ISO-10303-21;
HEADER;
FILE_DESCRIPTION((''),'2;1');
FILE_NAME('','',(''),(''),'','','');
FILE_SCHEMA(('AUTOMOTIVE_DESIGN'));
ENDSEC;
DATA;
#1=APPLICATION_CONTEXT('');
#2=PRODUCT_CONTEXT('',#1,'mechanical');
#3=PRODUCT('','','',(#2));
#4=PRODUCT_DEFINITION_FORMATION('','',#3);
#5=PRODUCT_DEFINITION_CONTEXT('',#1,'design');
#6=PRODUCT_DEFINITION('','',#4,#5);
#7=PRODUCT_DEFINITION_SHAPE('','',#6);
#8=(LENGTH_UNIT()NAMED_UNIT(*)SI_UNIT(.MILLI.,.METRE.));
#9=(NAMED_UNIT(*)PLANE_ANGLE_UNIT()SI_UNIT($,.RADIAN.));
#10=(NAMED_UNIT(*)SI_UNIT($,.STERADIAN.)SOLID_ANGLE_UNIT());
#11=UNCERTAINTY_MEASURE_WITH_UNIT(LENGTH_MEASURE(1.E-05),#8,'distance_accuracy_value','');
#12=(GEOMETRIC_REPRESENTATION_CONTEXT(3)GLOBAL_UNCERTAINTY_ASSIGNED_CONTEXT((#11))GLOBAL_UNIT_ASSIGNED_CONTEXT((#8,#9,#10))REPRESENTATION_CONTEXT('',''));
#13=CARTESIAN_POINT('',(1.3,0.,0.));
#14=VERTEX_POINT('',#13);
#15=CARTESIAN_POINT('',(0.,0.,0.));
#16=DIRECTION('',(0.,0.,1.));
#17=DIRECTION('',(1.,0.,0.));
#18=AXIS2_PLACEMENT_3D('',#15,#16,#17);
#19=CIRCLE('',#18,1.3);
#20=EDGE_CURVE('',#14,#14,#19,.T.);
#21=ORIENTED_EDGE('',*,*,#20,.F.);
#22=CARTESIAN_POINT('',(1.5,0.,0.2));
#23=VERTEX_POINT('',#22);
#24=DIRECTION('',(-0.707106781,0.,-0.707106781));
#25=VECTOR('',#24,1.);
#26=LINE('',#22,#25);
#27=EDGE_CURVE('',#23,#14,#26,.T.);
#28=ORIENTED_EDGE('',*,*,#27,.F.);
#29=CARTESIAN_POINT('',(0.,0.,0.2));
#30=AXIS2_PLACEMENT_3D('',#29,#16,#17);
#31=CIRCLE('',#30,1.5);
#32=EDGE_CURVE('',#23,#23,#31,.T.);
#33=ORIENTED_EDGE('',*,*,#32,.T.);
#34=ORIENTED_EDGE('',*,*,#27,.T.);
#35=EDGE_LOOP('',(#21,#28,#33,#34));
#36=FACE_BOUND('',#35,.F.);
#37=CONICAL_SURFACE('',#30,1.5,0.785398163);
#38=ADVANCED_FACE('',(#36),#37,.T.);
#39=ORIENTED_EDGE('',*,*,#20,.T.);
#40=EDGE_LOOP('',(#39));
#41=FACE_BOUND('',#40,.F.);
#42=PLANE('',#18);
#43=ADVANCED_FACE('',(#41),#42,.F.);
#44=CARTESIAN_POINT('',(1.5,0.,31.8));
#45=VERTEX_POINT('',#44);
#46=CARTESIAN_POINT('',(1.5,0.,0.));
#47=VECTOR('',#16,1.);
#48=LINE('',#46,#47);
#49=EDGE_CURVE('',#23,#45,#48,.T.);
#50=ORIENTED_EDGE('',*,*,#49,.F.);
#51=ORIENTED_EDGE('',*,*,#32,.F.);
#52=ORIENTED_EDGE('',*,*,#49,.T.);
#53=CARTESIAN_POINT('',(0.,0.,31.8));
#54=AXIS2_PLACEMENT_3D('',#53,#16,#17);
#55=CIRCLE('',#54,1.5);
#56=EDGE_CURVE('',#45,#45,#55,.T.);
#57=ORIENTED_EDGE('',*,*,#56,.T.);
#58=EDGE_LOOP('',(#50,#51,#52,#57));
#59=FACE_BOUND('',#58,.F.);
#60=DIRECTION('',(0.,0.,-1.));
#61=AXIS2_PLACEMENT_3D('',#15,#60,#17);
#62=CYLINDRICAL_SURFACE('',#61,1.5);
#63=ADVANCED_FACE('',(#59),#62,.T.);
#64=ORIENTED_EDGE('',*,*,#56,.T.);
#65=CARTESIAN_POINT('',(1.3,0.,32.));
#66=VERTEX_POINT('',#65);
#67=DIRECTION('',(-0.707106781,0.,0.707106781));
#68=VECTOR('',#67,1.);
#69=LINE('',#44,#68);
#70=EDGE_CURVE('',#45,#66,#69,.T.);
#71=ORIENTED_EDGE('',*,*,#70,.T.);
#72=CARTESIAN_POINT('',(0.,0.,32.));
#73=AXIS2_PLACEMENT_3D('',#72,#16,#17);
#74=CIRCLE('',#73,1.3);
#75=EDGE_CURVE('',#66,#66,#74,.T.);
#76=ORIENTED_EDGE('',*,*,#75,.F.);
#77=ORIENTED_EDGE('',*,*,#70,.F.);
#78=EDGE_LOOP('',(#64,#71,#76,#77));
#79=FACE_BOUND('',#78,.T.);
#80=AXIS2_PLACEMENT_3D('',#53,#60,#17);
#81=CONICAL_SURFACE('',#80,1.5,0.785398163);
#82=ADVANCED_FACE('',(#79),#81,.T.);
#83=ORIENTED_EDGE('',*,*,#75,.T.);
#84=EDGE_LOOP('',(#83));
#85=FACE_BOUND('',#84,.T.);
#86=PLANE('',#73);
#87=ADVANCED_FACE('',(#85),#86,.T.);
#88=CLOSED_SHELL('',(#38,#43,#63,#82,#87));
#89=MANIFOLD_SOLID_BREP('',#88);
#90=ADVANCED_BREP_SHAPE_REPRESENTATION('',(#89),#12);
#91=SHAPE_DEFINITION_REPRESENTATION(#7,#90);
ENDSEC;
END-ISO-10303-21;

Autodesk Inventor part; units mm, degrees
ref_plane "YZ Plane" through (0, 0, 0) normal (1, 0, 0) x (0, 1, 0)
ref_plane "XZ Plane" through (0, 0, 0) normal (0, 1, 0) x (-1, 0, 0)
ref_plane "XY Plane" through (0, 0, 0) normal (0, 0, 1) x (1, 0, 0)
sketch "Эскиз1" plane through (0, 0, 0) normal (0, 0, 1) x (1, 0, 0)
  circle A0 centre (0, 0) radius 1.5
  dimension "d0" = 3
extrude "Выдавливание1" add sketch "Эскиз1" along normal blind 32
chamfer "Фаска1" distance 0.2 angle 45 2 edges at (-1.5, 0, 32) (-1.5, 0, 0)
properties part number "шток"
